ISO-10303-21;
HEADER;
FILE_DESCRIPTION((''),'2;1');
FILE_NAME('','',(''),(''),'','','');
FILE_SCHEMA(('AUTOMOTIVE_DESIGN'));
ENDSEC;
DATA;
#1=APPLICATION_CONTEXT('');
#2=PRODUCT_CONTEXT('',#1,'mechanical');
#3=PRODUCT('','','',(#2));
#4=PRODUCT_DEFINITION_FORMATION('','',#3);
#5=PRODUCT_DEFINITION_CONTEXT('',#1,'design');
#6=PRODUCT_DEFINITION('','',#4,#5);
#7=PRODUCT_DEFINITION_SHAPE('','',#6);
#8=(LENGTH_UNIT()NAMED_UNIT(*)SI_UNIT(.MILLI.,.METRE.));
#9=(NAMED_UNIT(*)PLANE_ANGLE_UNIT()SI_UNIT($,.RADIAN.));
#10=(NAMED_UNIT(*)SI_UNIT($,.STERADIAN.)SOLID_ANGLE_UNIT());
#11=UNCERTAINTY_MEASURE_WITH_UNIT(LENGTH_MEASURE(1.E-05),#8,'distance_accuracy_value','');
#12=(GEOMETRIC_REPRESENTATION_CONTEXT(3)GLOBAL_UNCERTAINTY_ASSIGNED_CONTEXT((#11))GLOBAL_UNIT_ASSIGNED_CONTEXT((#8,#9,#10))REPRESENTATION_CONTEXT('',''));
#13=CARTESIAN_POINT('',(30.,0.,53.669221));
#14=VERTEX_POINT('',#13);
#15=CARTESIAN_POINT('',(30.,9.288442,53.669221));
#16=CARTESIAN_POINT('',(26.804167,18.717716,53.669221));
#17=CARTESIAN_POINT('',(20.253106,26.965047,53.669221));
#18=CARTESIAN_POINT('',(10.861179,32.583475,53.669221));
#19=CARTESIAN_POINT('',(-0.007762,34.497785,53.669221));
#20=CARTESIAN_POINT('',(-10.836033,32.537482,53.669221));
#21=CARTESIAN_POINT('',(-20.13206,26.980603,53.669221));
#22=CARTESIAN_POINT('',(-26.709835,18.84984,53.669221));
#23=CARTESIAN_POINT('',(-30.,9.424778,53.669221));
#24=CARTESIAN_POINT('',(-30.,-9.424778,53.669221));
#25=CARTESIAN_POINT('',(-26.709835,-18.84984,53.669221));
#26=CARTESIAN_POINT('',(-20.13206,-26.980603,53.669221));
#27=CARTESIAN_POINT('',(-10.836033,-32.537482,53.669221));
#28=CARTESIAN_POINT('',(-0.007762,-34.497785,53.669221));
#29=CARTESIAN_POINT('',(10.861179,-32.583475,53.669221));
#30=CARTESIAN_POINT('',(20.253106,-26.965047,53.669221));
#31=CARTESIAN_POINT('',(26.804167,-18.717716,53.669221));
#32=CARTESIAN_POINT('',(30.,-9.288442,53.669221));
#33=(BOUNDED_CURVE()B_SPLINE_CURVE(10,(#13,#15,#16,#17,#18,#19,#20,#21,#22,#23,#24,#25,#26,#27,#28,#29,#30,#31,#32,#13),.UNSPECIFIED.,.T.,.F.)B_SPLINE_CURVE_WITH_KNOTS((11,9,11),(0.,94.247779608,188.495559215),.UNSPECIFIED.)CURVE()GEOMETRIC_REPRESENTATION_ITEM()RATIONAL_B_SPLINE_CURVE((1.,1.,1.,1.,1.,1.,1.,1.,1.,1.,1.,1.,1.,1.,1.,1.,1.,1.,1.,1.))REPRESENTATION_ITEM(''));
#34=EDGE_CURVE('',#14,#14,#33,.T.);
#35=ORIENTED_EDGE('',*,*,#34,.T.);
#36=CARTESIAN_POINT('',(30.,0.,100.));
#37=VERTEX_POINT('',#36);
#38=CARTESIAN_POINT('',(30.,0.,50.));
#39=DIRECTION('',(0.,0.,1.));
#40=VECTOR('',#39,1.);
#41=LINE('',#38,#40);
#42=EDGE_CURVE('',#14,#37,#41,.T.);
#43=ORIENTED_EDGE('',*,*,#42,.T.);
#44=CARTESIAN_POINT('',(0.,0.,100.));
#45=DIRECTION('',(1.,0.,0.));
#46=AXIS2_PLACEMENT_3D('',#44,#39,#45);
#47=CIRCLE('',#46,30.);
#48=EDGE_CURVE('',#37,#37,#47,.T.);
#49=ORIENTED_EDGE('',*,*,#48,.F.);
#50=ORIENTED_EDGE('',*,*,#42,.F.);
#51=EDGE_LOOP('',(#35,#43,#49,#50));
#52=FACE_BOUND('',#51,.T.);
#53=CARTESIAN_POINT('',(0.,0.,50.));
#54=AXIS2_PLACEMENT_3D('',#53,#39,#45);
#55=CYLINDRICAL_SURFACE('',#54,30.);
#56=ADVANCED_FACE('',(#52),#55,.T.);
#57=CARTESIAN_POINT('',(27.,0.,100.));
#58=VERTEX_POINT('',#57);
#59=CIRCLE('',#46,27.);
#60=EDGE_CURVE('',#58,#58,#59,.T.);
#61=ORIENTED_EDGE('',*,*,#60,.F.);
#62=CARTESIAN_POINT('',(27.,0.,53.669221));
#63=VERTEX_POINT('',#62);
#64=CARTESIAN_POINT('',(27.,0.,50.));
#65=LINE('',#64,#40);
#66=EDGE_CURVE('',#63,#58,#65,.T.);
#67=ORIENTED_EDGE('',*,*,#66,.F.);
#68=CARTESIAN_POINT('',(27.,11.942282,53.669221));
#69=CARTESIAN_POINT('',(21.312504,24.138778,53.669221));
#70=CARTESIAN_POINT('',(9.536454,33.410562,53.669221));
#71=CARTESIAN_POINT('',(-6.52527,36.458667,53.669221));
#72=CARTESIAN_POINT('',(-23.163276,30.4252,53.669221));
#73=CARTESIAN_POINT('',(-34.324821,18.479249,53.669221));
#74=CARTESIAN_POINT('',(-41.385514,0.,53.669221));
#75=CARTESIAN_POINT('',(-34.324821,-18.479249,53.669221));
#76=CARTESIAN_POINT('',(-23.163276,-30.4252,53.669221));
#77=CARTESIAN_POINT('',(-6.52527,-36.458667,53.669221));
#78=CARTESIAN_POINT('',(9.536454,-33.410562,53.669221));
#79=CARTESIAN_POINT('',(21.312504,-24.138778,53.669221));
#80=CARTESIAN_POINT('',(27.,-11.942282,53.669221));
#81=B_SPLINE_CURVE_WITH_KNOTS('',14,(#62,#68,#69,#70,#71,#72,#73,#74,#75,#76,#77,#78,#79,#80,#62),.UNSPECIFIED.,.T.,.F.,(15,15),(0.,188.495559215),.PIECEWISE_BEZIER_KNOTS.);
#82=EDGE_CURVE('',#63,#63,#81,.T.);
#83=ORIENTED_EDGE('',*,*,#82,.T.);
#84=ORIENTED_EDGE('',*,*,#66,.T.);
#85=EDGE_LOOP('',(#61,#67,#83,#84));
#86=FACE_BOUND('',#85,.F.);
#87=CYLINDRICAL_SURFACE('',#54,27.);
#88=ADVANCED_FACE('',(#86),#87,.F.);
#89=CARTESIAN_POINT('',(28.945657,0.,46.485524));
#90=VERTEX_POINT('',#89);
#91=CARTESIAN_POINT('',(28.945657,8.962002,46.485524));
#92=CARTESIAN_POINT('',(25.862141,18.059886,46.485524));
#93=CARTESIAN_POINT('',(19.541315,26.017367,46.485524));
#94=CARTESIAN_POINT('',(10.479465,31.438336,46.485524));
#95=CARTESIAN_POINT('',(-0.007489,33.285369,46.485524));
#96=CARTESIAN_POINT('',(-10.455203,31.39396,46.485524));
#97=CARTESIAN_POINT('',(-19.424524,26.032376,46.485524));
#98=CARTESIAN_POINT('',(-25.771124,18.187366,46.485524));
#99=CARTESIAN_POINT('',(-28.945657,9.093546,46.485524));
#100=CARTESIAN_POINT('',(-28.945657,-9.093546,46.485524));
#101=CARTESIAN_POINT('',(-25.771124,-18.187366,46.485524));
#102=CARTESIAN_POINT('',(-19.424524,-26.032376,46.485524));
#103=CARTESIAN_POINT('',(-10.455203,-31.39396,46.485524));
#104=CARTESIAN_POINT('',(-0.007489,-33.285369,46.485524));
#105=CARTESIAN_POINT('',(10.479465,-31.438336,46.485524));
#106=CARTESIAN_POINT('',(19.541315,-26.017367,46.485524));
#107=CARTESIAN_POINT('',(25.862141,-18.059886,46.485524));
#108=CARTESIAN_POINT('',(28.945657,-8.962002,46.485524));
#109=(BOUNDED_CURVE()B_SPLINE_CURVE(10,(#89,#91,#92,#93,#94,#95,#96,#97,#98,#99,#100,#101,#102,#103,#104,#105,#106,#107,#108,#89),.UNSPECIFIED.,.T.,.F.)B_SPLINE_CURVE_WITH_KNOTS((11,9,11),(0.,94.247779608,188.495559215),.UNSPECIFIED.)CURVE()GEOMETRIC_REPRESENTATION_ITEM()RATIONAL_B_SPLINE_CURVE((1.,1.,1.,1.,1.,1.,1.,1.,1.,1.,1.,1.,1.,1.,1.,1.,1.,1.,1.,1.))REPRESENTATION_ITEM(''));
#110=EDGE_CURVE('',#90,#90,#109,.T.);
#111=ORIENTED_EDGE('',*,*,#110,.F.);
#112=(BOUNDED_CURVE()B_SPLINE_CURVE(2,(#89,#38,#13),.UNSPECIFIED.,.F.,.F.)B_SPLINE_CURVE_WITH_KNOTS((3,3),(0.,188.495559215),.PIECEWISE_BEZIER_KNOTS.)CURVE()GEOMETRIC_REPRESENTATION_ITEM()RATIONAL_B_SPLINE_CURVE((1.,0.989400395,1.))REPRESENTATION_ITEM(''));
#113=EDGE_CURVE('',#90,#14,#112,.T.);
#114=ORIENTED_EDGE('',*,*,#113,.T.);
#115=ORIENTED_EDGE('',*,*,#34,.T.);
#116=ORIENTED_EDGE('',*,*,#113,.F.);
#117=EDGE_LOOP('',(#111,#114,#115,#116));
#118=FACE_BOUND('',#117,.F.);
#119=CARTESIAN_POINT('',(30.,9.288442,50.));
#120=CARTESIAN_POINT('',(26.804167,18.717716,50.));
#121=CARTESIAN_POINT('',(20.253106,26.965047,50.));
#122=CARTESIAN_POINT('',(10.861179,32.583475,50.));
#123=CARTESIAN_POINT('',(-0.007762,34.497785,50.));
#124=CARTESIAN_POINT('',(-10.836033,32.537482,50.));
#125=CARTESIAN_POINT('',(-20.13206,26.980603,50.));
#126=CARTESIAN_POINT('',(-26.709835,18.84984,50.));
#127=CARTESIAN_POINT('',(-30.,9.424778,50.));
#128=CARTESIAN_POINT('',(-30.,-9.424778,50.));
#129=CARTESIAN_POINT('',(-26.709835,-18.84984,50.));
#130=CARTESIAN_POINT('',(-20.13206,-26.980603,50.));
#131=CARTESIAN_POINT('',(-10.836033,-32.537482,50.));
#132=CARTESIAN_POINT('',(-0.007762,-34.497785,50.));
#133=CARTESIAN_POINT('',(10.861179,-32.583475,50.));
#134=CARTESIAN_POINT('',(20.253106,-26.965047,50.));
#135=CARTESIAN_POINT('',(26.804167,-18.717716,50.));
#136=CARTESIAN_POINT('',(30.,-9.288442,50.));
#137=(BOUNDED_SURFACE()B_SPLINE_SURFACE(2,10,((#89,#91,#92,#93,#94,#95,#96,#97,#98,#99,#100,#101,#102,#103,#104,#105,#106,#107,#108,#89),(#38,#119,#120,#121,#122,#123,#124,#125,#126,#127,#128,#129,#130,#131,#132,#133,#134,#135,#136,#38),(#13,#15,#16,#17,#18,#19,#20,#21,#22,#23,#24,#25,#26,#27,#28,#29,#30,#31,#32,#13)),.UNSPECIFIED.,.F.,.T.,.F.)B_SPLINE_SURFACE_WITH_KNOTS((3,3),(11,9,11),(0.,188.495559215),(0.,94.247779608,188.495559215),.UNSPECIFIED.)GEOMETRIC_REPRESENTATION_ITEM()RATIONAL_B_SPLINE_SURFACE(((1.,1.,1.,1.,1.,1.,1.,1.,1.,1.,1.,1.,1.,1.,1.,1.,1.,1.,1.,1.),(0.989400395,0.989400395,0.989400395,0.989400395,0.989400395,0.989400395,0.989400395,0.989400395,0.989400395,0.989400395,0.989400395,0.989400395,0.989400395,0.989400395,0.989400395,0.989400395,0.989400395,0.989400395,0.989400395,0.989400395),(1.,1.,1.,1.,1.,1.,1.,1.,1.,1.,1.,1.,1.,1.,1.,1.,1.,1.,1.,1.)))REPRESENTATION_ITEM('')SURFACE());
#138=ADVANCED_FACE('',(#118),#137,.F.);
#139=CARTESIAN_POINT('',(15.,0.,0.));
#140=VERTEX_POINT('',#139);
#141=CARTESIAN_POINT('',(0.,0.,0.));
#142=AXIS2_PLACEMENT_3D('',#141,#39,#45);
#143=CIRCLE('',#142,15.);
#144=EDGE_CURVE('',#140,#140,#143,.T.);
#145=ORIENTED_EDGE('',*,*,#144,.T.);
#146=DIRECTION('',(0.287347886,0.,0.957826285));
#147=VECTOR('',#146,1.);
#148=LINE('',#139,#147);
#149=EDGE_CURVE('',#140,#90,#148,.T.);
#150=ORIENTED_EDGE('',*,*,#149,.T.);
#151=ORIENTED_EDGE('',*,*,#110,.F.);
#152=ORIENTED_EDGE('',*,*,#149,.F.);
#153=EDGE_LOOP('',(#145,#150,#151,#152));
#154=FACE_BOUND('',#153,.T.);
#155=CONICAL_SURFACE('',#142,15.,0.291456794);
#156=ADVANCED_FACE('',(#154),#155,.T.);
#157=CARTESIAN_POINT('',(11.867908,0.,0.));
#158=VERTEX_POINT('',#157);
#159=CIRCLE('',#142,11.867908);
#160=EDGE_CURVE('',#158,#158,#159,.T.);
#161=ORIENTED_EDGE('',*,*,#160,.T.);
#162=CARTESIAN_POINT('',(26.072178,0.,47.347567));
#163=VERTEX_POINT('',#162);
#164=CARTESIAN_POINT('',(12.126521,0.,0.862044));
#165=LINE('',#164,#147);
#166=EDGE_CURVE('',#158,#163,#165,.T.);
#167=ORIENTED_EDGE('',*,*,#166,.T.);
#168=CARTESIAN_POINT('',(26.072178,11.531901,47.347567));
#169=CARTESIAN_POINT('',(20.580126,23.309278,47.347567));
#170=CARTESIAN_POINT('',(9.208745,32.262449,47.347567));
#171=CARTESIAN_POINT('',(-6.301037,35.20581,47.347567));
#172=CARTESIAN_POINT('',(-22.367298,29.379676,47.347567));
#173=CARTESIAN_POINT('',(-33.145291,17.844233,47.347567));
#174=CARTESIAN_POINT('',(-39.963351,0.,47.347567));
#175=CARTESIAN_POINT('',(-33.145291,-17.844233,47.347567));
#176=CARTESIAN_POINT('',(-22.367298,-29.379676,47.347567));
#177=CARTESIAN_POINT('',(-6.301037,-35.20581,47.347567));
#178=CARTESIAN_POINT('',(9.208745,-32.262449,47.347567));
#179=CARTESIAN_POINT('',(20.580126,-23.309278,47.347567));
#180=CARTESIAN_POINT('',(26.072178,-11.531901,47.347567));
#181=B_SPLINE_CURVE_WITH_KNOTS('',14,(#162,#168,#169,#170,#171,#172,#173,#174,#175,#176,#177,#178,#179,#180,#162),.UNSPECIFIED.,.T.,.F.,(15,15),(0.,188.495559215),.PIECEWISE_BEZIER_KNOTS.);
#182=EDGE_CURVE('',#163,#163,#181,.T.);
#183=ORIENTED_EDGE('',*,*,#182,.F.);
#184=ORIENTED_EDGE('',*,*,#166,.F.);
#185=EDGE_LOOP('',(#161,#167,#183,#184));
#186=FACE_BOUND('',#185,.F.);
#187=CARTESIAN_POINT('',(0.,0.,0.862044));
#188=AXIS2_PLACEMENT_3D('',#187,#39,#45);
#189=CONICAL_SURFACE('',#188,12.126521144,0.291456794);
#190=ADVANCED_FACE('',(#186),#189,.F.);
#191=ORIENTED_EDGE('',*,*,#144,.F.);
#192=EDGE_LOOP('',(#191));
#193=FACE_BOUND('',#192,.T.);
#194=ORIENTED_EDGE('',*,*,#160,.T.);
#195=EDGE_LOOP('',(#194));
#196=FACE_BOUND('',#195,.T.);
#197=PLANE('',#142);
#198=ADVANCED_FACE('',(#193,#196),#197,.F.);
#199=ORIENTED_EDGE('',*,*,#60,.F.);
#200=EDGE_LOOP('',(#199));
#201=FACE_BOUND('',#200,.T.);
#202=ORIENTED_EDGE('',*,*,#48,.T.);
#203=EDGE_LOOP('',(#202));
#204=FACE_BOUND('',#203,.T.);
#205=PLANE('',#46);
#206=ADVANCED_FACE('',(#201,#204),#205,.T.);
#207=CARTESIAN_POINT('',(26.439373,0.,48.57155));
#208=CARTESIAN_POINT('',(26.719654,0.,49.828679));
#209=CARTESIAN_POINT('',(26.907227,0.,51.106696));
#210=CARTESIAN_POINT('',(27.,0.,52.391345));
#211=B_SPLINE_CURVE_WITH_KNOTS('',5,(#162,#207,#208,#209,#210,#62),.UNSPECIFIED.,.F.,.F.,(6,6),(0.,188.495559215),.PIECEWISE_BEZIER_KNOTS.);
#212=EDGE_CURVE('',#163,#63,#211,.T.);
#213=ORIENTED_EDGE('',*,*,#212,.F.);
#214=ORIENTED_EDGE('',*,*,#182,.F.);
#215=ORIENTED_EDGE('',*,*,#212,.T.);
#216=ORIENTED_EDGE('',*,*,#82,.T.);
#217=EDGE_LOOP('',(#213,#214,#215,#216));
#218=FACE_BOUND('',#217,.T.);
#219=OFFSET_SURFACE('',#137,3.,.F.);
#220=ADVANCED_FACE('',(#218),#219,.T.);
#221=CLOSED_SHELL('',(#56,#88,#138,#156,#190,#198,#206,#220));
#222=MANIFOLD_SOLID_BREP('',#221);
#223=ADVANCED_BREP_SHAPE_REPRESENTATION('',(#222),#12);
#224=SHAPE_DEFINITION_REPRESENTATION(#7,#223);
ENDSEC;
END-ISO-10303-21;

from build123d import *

# Parameters (mm, degrees)
F2_R = 25
F3_T = -3


with BuildPart() as f1:
    # F0 (on Front) → F1 (revolve)
    with BuildSketch(Plane.XZ):
        Polygon((0, 100), (0, 0), (15, 0), (30, 50), (30, 100), align=None)
    revolve(axis=Axis((0, 0, 50), (0, 0, 1)))

    # F2
    f2_edges = [f1.edges().sort_by_distance(p)[0] for p in [
        (-30, 0, 50),
    ]]
    fillet(f2_edges, radius=F2_R)

    # F3
    f3_openings = [f1.faces().sort_by_distance(p)[0] for p in [
        (0, 0, 100),
        (0, 0, 0),
    ]]
    offset(amount=F3_T, openings=f3_openings)


solid = f1.part
